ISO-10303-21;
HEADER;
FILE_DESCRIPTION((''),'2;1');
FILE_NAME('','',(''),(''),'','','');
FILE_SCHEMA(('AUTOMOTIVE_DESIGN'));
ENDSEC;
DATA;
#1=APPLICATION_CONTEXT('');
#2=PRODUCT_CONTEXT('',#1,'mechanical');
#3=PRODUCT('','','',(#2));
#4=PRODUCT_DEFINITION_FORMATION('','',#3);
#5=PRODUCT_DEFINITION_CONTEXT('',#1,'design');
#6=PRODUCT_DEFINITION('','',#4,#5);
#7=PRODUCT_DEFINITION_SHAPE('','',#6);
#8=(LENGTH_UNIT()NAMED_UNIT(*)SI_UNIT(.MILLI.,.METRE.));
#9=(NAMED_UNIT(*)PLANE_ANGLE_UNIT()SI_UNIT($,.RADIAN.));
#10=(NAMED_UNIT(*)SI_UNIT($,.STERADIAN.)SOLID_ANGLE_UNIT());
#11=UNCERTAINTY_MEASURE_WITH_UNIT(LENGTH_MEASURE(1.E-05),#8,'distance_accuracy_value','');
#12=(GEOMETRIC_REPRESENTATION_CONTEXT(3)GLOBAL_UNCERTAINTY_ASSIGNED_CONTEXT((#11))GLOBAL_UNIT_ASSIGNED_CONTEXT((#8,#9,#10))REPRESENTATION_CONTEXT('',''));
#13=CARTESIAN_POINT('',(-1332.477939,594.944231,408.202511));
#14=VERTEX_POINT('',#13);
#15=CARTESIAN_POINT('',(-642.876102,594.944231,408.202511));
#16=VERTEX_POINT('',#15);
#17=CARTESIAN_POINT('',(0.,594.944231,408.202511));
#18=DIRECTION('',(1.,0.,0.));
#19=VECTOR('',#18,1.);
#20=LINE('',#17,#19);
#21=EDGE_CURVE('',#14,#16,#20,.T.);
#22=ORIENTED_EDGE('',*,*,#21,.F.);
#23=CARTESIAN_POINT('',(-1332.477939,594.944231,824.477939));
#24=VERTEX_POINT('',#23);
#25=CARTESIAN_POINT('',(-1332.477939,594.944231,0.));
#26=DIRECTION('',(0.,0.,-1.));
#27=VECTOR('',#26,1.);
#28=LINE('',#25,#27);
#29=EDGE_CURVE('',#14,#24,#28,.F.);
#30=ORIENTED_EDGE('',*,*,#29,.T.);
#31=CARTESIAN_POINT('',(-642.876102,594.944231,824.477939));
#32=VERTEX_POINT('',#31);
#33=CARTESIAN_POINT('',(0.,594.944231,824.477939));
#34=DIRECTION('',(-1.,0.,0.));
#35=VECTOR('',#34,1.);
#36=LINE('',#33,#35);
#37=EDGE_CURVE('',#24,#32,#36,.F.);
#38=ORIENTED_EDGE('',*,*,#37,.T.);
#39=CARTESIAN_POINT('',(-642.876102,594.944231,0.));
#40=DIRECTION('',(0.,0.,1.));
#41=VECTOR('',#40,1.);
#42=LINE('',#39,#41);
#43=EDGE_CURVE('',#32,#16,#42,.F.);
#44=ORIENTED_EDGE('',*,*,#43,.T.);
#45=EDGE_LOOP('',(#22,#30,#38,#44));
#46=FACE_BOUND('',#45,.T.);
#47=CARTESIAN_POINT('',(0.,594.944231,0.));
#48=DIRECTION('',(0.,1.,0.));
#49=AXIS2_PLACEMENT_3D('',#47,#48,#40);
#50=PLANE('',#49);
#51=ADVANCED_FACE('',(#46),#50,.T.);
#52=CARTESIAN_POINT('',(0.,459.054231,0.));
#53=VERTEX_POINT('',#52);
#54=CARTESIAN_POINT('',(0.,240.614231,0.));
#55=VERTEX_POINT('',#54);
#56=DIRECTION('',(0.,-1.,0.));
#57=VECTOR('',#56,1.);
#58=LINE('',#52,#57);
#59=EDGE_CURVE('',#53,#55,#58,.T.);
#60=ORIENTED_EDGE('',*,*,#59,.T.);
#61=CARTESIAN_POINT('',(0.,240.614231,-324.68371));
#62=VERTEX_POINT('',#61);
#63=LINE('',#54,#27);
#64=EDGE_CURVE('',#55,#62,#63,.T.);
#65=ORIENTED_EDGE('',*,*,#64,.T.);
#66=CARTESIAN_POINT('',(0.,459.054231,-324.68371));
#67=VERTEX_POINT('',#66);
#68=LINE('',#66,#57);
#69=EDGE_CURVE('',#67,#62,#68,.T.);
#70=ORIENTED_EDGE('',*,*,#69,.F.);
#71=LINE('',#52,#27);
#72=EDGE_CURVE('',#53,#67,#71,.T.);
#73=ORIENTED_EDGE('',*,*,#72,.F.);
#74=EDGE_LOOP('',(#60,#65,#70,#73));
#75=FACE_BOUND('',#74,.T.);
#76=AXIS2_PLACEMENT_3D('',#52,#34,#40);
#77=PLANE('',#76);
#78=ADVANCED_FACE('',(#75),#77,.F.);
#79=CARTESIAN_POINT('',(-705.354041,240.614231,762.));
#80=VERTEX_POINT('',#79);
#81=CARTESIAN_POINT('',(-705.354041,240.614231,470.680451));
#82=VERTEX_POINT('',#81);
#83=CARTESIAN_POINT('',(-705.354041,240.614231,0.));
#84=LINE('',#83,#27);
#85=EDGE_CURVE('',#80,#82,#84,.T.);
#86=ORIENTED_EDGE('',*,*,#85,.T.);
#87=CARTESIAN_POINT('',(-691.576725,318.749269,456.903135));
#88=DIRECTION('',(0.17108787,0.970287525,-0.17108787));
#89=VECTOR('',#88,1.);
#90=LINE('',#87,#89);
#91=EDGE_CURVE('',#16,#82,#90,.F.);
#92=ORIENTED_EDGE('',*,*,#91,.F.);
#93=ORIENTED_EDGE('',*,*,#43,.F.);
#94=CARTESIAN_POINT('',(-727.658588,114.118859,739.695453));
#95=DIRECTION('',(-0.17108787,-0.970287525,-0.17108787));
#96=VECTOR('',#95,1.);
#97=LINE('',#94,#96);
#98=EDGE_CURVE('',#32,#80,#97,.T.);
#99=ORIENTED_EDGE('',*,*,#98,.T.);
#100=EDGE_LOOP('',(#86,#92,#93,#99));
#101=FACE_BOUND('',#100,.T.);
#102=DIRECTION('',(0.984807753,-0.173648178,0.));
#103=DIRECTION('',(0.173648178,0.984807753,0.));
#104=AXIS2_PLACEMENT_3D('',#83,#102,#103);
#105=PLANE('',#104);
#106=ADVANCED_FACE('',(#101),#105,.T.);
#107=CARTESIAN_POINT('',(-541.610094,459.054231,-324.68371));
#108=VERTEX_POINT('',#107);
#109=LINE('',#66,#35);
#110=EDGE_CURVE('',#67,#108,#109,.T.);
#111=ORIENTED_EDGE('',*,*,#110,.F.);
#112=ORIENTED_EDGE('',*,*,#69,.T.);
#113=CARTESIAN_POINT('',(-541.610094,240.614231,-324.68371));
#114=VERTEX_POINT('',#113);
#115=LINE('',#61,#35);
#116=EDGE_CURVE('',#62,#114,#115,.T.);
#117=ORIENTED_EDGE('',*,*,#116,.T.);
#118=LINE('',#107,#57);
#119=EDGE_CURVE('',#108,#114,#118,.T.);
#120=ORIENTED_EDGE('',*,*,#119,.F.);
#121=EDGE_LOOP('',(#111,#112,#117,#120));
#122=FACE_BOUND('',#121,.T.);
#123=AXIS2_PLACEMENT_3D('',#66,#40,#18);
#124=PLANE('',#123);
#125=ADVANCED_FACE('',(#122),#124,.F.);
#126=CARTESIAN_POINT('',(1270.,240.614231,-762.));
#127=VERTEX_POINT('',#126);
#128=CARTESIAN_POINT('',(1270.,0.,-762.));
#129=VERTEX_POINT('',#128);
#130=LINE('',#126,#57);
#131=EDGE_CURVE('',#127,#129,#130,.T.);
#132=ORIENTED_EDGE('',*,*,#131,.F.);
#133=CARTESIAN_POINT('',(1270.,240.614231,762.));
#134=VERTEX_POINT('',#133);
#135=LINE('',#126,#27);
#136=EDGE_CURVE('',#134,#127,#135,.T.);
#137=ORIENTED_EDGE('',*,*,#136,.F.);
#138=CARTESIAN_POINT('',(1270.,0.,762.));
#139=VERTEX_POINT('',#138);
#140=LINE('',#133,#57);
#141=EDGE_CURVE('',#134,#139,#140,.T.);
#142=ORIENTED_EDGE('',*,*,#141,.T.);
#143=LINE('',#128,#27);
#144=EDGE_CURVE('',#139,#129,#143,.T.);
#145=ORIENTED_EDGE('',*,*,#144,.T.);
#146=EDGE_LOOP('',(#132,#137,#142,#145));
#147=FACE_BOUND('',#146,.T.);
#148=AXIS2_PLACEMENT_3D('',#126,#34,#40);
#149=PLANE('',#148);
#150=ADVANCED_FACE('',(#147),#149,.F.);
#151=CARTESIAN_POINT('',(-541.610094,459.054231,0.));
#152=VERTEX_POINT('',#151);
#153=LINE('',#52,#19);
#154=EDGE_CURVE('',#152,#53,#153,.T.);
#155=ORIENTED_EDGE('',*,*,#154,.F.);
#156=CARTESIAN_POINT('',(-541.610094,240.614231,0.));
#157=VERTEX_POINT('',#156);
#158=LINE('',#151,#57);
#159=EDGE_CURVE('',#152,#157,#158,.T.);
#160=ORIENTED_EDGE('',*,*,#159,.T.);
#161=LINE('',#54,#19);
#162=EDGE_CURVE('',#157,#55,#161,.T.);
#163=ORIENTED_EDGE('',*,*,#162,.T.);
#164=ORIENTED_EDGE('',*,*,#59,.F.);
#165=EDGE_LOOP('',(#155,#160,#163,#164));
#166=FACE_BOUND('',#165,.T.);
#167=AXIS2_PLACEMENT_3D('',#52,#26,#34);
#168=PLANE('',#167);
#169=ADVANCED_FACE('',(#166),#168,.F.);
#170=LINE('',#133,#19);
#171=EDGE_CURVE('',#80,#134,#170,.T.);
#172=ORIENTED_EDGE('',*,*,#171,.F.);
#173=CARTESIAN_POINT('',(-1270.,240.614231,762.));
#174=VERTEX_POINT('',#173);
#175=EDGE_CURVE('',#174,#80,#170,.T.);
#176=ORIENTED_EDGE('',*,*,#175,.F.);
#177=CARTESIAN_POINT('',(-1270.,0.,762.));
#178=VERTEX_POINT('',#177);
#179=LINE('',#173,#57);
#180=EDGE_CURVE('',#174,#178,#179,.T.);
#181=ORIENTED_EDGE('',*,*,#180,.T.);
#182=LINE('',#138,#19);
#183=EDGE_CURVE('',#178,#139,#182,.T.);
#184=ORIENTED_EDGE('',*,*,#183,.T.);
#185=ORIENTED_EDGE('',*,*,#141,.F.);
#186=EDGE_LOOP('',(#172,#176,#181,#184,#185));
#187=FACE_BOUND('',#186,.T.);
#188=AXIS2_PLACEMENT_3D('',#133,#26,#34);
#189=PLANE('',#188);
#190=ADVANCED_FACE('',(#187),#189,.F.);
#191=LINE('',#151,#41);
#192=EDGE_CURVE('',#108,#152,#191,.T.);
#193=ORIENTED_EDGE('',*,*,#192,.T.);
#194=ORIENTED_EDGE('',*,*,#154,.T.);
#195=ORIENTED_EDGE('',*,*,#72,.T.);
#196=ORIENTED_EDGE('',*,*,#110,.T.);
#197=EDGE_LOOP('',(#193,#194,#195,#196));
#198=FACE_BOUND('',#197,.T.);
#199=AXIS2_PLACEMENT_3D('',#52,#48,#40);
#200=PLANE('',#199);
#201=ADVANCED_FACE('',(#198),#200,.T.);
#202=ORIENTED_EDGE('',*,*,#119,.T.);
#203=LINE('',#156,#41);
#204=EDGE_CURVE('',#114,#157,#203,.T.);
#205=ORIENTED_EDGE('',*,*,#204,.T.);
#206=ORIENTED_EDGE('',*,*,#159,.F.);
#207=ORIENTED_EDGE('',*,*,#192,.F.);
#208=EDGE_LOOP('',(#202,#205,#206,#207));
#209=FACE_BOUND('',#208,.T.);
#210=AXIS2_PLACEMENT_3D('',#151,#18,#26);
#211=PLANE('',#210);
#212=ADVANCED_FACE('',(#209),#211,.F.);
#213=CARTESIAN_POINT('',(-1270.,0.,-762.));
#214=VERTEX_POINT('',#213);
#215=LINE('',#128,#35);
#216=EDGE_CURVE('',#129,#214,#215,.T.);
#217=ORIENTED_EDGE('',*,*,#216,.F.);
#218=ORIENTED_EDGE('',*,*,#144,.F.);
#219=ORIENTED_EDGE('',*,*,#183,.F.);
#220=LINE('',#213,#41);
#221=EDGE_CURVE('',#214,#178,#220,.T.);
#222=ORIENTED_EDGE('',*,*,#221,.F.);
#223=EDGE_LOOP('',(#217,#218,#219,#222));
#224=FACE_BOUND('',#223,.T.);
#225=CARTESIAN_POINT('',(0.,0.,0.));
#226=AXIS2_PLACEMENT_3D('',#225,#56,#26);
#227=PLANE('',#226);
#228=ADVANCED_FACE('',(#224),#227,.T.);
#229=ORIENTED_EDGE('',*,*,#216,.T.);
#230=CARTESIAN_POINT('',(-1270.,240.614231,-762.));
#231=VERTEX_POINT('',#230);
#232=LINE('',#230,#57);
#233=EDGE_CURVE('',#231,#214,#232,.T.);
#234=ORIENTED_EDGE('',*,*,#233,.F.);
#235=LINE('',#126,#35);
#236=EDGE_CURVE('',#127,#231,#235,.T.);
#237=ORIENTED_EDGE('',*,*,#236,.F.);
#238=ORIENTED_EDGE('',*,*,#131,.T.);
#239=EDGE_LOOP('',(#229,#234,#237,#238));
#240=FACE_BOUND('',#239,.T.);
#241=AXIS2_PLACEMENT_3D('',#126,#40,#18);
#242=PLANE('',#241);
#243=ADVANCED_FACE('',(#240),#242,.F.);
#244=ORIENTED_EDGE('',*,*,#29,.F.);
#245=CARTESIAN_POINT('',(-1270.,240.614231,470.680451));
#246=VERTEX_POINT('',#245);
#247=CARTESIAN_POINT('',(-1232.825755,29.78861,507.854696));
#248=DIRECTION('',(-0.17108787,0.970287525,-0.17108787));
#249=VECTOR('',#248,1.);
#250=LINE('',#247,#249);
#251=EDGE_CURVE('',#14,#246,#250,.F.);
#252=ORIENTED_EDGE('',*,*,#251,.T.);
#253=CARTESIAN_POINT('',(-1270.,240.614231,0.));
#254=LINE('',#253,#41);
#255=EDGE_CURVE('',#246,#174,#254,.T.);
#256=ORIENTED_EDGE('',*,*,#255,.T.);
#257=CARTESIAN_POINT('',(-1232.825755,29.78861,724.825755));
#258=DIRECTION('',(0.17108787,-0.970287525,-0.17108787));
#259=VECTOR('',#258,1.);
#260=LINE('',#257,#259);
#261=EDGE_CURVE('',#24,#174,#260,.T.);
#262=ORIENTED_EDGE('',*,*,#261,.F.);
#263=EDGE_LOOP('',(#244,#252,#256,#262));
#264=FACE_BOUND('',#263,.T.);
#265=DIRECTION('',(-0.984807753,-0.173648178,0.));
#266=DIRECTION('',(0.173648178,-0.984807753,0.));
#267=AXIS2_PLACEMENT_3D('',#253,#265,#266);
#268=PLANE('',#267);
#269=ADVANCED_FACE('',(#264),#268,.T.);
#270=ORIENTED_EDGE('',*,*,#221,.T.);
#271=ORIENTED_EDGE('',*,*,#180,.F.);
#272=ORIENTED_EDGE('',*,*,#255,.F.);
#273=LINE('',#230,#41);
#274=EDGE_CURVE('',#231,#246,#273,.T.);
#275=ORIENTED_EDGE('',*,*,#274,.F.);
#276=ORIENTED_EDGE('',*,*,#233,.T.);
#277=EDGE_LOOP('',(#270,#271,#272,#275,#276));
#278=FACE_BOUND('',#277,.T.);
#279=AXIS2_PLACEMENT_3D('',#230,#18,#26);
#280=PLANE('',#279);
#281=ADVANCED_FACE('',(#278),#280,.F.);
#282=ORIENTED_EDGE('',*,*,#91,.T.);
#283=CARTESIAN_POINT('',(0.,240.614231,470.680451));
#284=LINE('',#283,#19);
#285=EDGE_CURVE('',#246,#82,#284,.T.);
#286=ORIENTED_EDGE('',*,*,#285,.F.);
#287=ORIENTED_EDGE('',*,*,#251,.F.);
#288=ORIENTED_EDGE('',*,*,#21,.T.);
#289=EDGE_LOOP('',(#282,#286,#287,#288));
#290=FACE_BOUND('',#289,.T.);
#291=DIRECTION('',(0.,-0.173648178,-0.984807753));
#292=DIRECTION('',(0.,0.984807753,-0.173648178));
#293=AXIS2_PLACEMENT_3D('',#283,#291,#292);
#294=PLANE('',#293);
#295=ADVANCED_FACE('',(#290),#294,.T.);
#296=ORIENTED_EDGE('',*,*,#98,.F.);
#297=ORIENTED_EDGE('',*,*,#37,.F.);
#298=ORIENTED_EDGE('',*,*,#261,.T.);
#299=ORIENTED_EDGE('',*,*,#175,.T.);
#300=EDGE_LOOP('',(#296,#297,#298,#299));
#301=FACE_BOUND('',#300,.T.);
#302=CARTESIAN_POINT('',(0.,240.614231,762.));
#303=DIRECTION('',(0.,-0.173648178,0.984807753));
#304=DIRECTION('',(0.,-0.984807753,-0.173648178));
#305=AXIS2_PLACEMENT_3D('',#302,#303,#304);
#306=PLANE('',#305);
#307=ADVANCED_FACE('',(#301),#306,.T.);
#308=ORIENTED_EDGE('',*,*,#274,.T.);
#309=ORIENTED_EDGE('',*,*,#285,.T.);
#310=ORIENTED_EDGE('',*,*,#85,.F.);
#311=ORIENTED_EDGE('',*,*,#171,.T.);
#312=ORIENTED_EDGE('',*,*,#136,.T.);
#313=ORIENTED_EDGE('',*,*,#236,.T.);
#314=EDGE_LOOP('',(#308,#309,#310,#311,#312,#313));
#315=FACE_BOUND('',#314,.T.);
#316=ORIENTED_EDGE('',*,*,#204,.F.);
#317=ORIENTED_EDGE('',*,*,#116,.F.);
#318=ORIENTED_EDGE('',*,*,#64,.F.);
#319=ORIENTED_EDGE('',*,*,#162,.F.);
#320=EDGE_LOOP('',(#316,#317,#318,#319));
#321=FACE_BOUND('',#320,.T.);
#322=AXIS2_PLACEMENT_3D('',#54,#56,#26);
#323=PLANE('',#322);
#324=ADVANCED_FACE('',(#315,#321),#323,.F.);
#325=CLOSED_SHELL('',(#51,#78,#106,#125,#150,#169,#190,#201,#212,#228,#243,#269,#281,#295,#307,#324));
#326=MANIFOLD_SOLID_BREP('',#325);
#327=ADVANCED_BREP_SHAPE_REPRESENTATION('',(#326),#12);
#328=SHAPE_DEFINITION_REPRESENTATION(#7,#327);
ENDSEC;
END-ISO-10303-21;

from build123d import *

# Parameters (mm, degrees)
SKETCH3_W           = 2540
SKETCH3_H           = 1524
BOSS_EXTRUDE3_DEPTH = 240.614231141
SKETCH4_W           = 564.645959203
SKETCH4_H           = 291.319549464
BOSS_EXTRUDE4_DEPTH = 354.33
BOSS_EXTRUDE4_DRAFT = -10
SKETCH9_W           = 541.61009367
SKETCH9_H           = 324.683710249
BOSS_EXTRUDE5_DEPTH = 218.44


with BuildPart() as part:
    # Sketch3 → Boss-Extrude3 (new body)
    with BuildSketch(Plane(origin=(0, 0, 0), x_dir=(1, 0, 0), z_dir=(0, 1, 0))):
        Rectangle(SKETCH3_W, SKETCH3_H)
    extrude(amount=BOSS_EXTRUDE3_DEPTH)


with BuildPart() as boss_extrude4_tool:
    # Sketch4 → Boss-Extrude4 (with draft: the straight prism first)
    with BuildSketch(Plane(origin=(0, 240.614231141, 0), x_dir=(1, 0, 0), z_dir=(0, 1, 0))):
        with Locations((-987.677020398, -616.340225268)):
            Rectangle(SKETCH4_W, SKETCH4_H)
    extrude(amount=BOSS_EXTRUDE4_DEPTH)
    # Boss-Extrude4: the draft: its side faces are tilted about the plane it starts from
    boss_extrude4_sides = [boss_extrude4_tool.faces().sort_by_distance(p)[0] for p in [
        (-987.677020399, 417.779231141, 762),
        (-705.354040797, 417.779231141, 616.340225268),
        (-987.677020399, 417.779231141, 470.680450536),
        (-1270, 417.779231141, 616.340225268),
    ]]
    draft(boss_extrude4_sides, Plane(origin=(0, 240.614231141, 0), x_dir=(1, 0, 0), z_dir=(0, 1, 0)), BOSS_EXTRUDE4_DRAFT)


with BuildPart() as part_1:
    add(part.part)

    # Boss-Extrude4: add boss_extrude4_tool
    add(boss_extrude4_tool.part)

    # Sketch9 → Boss-Extrude5 (add)
    with BuildSketch(Plane(origin=(0, 240.614231141, 0), x_dir=(1, 0, 0), z_dir=(0, 1, 0))):
        with Locations((-270.805046835, 162.341855125)):
            Rectangle(SKETCH9_W, SKETCH9_H)
    extrude(amount=BOSS_EXTRUDE5_DEPTH)


solid = part_1.part
